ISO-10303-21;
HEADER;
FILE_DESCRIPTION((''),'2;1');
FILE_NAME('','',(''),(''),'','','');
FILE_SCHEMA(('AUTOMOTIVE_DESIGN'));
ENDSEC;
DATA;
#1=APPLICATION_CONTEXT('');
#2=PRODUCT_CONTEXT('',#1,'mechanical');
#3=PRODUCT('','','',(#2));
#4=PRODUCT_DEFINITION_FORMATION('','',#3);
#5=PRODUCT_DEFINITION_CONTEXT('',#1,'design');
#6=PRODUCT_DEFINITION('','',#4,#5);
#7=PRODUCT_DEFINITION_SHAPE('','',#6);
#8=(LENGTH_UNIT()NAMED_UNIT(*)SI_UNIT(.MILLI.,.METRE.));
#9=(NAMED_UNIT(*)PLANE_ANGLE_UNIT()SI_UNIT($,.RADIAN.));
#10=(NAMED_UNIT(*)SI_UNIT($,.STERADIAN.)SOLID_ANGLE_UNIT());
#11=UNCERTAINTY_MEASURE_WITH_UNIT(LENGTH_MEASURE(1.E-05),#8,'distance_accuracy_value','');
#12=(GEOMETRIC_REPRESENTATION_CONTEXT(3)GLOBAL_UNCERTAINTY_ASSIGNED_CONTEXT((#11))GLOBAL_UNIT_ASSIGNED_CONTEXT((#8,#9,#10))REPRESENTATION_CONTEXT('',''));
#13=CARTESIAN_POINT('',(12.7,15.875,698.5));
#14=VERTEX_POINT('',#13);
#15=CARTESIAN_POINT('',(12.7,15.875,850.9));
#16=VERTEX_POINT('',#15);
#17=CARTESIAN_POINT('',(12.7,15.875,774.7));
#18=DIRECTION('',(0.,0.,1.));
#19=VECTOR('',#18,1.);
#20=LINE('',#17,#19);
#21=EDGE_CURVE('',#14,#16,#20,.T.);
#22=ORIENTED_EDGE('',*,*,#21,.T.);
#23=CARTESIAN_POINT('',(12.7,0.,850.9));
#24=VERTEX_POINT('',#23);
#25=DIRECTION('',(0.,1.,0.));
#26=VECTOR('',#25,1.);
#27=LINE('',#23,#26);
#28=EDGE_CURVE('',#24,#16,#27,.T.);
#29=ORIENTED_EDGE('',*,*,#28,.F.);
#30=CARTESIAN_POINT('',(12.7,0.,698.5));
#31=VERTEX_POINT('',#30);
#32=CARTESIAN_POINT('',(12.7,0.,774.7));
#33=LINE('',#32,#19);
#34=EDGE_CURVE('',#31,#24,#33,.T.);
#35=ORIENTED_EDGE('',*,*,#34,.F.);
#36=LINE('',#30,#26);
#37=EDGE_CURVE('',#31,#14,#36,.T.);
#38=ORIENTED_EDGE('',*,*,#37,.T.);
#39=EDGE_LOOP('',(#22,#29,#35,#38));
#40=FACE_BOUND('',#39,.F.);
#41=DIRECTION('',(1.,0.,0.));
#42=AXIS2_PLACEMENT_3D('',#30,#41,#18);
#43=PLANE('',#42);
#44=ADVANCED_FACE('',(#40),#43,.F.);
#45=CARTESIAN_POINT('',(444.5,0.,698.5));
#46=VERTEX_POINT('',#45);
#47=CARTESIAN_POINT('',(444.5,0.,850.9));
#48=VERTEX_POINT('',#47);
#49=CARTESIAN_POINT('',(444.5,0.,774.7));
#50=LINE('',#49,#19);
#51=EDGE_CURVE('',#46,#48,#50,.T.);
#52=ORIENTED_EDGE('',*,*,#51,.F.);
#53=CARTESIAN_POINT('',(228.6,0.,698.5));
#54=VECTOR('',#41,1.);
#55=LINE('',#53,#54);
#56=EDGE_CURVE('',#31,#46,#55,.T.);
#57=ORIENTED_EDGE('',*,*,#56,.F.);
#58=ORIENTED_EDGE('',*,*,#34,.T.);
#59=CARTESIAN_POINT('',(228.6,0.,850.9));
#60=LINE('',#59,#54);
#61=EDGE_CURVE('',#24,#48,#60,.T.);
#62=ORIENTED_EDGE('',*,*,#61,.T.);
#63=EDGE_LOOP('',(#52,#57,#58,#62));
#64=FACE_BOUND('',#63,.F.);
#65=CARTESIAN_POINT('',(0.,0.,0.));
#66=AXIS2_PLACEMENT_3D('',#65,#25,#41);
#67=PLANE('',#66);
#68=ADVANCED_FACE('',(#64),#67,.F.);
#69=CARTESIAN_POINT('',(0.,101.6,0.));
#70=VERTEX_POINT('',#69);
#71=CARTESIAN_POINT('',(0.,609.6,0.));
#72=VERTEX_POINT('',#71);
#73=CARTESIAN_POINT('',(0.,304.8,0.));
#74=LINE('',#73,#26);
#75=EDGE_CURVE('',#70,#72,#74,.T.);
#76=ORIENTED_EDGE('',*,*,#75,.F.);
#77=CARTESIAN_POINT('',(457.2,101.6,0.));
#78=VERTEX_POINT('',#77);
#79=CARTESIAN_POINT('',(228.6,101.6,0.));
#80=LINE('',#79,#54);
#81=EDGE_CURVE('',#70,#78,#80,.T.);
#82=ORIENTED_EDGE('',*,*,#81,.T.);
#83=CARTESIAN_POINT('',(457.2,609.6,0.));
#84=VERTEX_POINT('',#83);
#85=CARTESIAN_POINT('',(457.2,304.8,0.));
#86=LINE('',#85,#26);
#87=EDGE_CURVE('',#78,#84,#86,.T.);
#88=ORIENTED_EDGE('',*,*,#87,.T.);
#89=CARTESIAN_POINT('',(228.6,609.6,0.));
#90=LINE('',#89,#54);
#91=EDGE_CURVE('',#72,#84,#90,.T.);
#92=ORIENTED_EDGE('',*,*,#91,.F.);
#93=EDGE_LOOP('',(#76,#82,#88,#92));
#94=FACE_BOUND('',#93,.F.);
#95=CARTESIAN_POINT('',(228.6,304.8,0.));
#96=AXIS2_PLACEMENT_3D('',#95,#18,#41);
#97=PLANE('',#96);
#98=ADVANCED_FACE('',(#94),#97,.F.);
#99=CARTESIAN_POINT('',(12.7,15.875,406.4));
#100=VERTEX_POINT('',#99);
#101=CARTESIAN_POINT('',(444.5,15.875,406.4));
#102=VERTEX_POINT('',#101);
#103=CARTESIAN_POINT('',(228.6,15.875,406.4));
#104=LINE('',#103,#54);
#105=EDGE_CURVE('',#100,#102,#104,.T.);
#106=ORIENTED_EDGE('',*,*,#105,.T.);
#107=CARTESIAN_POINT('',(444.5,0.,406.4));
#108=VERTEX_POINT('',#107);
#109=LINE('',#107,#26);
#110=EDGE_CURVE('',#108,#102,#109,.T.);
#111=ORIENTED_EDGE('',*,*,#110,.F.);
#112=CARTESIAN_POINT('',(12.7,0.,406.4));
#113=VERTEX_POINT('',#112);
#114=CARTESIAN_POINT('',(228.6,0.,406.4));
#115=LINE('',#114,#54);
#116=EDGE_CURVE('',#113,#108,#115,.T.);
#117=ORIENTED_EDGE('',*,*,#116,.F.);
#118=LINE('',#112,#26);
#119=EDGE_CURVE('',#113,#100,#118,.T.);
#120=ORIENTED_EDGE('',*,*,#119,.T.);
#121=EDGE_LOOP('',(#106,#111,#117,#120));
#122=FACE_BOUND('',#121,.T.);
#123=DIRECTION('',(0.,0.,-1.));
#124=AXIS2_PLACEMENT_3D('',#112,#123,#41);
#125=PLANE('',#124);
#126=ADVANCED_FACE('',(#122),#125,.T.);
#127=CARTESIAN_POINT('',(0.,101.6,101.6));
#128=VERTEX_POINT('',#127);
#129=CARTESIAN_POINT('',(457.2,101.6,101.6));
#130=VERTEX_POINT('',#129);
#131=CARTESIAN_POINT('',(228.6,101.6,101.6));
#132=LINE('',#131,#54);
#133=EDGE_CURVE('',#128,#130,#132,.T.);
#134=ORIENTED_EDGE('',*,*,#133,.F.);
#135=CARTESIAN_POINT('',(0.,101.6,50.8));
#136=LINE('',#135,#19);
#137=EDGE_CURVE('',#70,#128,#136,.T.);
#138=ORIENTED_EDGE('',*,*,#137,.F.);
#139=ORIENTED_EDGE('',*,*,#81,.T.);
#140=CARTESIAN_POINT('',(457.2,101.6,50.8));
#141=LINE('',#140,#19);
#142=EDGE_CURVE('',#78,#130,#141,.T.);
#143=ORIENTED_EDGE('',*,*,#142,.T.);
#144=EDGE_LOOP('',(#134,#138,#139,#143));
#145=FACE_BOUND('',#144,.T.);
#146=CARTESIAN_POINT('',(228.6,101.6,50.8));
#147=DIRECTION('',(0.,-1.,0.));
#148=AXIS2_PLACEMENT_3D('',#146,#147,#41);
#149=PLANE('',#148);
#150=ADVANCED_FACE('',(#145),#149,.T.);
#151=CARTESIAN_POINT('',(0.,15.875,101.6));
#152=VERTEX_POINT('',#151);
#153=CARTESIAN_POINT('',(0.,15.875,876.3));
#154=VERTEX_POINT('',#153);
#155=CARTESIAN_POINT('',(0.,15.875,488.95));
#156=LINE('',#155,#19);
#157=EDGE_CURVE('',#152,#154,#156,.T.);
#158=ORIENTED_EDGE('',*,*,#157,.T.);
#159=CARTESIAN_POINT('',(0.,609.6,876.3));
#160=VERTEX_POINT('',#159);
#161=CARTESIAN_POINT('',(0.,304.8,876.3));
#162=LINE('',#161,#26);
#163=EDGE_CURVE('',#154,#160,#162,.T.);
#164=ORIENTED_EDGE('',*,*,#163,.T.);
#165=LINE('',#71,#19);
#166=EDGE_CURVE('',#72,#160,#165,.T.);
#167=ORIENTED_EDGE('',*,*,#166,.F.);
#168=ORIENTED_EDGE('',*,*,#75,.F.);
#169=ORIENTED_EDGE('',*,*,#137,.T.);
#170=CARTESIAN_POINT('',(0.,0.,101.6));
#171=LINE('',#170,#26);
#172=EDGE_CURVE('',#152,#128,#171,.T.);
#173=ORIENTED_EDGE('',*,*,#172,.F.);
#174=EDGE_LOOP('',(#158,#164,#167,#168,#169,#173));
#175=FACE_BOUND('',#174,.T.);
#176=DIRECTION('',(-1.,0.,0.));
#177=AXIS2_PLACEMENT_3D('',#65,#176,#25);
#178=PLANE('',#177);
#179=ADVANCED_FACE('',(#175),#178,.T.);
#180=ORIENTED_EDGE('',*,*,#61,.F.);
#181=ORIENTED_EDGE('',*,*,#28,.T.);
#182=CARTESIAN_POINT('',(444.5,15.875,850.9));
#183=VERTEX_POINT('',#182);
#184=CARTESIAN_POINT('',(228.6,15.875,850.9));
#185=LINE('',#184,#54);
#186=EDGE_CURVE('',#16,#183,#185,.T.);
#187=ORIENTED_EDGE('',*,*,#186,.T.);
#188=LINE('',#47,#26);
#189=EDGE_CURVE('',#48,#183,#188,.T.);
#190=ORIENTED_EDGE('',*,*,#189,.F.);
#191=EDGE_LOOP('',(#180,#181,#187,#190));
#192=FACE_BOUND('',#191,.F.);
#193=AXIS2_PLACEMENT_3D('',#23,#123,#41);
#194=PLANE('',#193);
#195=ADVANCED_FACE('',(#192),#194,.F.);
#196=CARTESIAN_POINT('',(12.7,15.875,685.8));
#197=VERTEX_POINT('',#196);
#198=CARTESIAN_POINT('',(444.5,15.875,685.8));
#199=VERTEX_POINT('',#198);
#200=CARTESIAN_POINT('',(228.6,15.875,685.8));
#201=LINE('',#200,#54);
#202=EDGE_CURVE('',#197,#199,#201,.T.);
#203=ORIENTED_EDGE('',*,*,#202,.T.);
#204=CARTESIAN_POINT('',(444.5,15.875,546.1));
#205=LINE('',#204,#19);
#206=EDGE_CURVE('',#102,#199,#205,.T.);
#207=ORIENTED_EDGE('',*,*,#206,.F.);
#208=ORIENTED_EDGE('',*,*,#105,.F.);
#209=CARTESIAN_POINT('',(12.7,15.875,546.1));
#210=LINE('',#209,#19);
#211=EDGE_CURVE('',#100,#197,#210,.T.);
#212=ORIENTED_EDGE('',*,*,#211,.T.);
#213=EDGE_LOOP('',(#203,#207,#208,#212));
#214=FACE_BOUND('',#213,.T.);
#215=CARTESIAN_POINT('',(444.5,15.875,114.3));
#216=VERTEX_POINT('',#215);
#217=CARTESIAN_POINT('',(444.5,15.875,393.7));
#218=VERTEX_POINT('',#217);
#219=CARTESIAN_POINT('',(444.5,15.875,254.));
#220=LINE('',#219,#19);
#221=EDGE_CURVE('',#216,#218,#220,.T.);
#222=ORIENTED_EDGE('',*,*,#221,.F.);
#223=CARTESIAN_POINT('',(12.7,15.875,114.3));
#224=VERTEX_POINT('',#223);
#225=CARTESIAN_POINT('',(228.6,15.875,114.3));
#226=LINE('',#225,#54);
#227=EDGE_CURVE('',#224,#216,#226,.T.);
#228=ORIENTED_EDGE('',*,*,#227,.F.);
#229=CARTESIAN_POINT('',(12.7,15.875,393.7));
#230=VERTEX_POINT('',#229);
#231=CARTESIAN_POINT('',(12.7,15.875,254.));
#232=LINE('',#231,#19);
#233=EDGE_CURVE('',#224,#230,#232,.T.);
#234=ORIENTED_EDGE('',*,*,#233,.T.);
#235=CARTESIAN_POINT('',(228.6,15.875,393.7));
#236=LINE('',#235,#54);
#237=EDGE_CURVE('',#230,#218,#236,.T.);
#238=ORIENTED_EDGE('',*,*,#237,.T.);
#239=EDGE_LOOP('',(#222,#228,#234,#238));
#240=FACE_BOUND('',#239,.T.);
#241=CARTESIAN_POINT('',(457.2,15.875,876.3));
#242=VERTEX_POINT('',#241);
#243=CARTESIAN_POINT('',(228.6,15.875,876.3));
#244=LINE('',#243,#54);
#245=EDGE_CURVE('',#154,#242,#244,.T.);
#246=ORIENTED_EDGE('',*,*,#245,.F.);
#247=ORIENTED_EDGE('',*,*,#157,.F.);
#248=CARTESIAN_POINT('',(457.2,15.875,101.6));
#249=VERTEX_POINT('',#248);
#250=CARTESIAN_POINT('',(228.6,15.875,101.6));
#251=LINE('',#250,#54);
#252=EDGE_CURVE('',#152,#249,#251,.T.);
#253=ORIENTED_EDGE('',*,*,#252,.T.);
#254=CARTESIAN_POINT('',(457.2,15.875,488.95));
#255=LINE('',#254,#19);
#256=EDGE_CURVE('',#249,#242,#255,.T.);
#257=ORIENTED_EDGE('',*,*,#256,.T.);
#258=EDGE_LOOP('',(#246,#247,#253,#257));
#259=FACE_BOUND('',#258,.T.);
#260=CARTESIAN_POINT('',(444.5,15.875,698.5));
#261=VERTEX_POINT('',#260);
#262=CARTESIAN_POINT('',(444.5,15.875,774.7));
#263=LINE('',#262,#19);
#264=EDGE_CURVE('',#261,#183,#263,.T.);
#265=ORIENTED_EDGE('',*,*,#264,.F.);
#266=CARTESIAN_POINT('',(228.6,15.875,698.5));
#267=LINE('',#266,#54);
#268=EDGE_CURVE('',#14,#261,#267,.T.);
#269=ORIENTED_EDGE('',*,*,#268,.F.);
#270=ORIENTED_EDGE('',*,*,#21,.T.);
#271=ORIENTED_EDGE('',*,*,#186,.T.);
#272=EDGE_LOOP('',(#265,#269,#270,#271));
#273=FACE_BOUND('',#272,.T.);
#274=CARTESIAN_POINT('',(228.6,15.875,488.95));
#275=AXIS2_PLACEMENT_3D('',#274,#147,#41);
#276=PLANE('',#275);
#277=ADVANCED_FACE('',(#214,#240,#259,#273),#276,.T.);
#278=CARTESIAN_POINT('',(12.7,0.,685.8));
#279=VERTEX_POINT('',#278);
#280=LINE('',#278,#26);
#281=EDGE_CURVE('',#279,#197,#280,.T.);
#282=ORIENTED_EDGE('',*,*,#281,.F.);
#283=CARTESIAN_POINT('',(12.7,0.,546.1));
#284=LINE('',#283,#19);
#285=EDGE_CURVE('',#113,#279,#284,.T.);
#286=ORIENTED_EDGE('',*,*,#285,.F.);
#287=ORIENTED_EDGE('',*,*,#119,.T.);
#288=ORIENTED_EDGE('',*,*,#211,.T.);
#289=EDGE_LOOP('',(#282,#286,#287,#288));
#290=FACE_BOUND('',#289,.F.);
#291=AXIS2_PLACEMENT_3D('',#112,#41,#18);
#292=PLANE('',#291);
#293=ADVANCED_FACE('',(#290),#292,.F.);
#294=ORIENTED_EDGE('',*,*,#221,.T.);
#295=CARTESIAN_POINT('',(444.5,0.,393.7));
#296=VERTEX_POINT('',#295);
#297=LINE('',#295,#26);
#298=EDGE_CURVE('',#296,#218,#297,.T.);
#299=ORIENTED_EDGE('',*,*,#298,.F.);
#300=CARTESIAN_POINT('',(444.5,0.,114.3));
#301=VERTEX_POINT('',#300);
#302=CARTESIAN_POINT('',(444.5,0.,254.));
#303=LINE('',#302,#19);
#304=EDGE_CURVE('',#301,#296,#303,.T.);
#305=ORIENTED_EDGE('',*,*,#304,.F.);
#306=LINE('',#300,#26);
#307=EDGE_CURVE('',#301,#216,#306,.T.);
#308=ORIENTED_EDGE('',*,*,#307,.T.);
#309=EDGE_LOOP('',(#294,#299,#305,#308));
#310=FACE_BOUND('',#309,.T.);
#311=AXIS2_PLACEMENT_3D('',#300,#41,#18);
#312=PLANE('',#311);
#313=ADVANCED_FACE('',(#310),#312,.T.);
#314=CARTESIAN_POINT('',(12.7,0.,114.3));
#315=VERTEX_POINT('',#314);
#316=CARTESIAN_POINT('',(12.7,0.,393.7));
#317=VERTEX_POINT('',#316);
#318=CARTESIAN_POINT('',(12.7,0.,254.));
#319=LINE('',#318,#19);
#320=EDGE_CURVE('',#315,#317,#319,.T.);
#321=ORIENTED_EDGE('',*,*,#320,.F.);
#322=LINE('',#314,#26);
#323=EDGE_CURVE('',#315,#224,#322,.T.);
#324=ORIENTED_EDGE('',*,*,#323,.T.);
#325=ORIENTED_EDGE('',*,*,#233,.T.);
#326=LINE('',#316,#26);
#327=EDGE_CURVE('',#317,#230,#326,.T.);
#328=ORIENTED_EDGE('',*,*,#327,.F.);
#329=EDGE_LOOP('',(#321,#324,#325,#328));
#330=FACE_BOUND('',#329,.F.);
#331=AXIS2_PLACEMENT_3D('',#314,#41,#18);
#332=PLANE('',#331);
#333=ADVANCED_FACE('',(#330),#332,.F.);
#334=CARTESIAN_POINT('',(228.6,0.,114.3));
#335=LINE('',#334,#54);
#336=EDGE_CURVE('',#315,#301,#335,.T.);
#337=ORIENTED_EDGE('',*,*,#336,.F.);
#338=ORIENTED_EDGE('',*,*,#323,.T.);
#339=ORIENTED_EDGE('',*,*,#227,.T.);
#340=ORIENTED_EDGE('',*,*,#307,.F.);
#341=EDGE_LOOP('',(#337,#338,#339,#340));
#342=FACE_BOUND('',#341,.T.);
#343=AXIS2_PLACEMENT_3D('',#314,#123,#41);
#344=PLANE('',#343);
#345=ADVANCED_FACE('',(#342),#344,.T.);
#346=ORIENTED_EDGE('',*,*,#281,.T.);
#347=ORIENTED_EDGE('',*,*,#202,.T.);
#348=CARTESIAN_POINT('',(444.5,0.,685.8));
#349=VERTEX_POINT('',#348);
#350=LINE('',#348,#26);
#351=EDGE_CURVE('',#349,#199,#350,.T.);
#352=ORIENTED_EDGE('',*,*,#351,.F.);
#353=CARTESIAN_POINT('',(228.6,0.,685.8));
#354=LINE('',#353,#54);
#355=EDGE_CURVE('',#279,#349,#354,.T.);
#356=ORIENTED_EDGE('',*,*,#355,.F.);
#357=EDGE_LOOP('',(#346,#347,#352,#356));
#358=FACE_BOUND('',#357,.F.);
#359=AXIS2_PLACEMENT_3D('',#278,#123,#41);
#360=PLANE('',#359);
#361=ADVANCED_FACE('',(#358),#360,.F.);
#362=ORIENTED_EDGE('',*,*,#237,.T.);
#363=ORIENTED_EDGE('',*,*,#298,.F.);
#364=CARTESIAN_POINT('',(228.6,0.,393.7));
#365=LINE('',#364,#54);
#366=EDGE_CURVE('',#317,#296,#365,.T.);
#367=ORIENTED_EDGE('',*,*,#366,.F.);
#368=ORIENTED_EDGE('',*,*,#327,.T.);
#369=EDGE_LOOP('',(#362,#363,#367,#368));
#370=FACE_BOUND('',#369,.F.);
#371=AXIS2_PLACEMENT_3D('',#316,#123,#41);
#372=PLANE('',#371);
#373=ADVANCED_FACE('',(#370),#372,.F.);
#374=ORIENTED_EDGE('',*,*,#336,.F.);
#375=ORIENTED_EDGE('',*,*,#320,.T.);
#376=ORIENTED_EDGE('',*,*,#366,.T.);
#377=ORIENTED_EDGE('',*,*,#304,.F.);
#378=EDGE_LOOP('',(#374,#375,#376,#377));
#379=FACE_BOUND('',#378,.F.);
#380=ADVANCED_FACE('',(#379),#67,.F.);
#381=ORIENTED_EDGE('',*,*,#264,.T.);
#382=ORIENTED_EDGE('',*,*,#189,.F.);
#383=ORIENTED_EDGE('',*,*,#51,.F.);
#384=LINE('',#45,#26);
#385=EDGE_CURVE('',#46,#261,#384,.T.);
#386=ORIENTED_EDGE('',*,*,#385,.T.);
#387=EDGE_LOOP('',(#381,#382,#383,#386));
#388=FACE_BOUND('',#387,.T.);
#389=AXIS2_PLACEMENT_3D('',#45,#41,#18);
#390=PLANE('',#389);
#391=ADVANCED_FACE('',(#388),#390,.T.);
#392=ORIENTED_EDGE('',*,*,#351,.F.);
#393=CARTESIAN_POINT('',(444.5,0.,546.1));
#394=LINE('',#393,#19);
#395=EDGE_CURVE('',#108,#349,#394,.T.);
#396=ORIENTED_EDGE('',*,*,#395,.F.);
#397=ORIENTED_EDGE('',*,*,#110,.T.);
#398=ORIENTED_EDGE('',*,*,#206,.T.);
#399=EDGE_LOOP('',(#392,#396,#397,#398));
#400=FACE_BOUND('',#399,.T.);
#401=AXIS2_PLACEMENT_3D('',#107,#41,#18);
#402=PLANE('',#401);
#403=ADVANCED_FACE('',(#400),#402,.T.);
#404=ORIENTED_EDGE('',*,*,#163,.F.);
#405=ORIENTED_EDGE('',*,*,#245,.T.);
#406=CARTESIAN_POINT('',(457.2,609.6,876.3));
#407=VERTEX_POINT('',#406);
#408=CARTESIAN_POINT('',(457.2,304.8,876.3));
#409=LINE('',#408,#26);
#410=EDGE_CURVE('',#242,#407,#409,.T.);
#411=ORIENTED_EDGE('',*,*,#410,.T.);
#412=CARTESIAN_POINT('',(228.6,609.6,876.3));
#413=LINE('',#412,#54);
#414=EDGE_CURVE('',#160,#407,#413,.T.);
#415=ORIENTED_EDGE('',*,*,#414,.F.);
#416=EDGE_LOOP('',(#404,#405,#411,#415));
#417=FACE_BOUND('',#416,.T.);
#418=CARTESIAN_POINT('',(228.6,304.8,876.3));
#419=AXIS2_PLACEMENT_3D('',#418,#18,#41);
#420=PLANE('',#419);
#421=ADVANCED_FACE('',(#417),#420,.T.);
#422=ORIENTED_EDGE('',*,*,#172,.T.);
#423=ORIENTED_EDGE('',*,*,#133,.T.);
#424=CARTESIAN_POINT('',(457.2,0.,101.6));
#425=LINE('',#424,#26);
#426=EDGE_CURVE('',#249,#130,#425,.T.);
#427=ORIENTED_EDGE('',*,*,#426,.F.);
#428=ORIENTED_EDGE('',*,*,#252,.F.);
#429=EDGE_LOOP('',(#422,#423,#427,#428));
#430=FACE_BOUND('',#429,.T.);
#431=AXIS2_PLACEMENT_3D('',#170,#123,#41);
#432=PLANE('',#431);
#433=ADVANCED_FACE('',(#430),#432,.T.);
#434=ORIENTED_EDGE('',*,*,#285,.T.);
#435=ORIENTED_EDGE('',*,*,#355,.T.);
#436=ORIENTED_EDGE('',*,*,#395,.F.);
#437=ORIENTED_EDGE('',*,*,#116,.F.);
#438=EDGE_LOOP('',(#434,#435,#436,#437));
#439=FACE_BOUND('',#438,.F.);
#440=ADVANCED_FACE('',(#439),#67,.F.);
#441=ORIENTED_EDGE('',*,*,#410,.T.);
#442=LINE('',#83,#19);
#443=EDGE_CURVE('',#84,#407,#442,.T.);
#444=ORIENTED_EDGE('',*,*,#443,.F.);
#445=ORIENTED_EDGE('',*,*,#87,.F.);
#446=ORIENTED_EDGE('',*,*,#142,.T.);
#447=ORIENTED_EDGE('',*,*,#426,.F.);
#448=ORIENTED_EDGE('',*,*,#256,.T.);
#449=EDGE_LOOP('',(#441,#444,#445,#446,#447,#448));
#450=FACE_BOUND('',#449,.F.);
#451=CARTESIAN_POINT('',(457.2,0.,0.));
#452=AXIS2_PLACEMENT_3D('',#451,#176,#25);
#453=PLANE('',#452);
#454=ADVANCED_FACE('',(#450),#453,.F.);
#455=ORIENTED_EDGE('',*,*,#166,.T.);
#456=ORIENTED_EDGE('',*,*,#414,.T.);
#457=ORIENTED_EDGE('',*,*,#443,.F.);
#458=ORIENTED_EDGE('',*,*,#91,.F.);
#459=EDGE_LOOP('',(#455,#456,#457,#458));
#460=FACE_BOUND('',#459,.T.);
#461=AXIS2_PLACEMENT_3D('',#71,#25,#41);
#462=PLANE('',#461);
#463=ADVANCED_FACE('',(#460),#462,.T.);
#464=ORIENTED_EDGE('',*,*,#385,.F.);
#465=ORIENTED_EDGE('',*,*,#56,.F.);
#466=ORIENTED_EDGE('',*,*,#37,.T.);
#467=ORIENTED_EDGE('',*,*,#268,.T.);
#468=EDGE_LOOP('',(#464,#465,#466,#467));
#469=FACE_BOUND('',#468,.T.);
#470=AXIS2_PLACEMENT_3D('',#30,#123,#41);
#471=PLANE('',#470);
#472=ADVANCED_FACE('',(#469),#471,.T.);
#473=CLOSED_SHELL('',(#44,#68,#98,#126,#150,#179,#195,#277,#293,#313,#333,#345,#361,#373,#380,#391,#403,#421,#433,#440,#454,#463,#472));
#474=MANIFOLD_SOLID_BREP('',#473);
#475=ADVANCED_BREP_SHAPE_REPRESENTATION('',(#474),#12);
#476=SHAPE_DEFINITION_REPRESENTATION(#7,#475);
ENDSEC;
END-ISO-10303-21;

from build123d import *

# Parameters (mm, degrees)
F0_W     = 457.2
F0_H     = 609.6
F1_DEPTH = 876.3
F2_W     = 457.2
F2_H     = 101.6
F3_DEPTH = 101.6
F4_W     = 457.2
F4_H     = 774.7
F4_W_2   = 431.8
F4_H_2   = 279.4
F4_H_3   = 152.4
F5_DEPTH = 15.875


with BuildPart() as f1:
    # F0 (on Top) → F1 (new body)
    with BuildSketch(Plane.XY):
        with Locations((228.6, 304.8)):
            Rectangle(F0_W, F0_H)
    extrude(amount=F1_DEPTH)

    # F2 (on face) → F3 (cut)
    with BuildSketch(Plane.XZ):
        with Locations((228.6, 50.8)):
            Rectangle(F2_W, F2_H)
    extrude(amount=-F3_DEPTH, mode=Mode.SUBTRACT)

    # F4 (on face) → F5 (cut)
    with BuildSketch(Plane.XZ):
        with Locations((228.6, 488.95)):
            Rectangle(F4_W, F4_H)
        with Locations((228.6, 254)):
            Rectangle(F4_W_2, F4_H_2, mode=Mode.SUBTRACT)
        with Locations((228.6, 546.1)):
            Rectangle(F4_W_2, F4_H_2, mode=Mode.SUBTRACT)
        with Locations((228.6, 774.7)):
            Rectangle(F4_W_2, F4_H_3, mode=Mode.SUBTRACT)
    extrude(amount=-F5_DEPTH, mode=Mode.SUBTRACT)


solid = f1.part
